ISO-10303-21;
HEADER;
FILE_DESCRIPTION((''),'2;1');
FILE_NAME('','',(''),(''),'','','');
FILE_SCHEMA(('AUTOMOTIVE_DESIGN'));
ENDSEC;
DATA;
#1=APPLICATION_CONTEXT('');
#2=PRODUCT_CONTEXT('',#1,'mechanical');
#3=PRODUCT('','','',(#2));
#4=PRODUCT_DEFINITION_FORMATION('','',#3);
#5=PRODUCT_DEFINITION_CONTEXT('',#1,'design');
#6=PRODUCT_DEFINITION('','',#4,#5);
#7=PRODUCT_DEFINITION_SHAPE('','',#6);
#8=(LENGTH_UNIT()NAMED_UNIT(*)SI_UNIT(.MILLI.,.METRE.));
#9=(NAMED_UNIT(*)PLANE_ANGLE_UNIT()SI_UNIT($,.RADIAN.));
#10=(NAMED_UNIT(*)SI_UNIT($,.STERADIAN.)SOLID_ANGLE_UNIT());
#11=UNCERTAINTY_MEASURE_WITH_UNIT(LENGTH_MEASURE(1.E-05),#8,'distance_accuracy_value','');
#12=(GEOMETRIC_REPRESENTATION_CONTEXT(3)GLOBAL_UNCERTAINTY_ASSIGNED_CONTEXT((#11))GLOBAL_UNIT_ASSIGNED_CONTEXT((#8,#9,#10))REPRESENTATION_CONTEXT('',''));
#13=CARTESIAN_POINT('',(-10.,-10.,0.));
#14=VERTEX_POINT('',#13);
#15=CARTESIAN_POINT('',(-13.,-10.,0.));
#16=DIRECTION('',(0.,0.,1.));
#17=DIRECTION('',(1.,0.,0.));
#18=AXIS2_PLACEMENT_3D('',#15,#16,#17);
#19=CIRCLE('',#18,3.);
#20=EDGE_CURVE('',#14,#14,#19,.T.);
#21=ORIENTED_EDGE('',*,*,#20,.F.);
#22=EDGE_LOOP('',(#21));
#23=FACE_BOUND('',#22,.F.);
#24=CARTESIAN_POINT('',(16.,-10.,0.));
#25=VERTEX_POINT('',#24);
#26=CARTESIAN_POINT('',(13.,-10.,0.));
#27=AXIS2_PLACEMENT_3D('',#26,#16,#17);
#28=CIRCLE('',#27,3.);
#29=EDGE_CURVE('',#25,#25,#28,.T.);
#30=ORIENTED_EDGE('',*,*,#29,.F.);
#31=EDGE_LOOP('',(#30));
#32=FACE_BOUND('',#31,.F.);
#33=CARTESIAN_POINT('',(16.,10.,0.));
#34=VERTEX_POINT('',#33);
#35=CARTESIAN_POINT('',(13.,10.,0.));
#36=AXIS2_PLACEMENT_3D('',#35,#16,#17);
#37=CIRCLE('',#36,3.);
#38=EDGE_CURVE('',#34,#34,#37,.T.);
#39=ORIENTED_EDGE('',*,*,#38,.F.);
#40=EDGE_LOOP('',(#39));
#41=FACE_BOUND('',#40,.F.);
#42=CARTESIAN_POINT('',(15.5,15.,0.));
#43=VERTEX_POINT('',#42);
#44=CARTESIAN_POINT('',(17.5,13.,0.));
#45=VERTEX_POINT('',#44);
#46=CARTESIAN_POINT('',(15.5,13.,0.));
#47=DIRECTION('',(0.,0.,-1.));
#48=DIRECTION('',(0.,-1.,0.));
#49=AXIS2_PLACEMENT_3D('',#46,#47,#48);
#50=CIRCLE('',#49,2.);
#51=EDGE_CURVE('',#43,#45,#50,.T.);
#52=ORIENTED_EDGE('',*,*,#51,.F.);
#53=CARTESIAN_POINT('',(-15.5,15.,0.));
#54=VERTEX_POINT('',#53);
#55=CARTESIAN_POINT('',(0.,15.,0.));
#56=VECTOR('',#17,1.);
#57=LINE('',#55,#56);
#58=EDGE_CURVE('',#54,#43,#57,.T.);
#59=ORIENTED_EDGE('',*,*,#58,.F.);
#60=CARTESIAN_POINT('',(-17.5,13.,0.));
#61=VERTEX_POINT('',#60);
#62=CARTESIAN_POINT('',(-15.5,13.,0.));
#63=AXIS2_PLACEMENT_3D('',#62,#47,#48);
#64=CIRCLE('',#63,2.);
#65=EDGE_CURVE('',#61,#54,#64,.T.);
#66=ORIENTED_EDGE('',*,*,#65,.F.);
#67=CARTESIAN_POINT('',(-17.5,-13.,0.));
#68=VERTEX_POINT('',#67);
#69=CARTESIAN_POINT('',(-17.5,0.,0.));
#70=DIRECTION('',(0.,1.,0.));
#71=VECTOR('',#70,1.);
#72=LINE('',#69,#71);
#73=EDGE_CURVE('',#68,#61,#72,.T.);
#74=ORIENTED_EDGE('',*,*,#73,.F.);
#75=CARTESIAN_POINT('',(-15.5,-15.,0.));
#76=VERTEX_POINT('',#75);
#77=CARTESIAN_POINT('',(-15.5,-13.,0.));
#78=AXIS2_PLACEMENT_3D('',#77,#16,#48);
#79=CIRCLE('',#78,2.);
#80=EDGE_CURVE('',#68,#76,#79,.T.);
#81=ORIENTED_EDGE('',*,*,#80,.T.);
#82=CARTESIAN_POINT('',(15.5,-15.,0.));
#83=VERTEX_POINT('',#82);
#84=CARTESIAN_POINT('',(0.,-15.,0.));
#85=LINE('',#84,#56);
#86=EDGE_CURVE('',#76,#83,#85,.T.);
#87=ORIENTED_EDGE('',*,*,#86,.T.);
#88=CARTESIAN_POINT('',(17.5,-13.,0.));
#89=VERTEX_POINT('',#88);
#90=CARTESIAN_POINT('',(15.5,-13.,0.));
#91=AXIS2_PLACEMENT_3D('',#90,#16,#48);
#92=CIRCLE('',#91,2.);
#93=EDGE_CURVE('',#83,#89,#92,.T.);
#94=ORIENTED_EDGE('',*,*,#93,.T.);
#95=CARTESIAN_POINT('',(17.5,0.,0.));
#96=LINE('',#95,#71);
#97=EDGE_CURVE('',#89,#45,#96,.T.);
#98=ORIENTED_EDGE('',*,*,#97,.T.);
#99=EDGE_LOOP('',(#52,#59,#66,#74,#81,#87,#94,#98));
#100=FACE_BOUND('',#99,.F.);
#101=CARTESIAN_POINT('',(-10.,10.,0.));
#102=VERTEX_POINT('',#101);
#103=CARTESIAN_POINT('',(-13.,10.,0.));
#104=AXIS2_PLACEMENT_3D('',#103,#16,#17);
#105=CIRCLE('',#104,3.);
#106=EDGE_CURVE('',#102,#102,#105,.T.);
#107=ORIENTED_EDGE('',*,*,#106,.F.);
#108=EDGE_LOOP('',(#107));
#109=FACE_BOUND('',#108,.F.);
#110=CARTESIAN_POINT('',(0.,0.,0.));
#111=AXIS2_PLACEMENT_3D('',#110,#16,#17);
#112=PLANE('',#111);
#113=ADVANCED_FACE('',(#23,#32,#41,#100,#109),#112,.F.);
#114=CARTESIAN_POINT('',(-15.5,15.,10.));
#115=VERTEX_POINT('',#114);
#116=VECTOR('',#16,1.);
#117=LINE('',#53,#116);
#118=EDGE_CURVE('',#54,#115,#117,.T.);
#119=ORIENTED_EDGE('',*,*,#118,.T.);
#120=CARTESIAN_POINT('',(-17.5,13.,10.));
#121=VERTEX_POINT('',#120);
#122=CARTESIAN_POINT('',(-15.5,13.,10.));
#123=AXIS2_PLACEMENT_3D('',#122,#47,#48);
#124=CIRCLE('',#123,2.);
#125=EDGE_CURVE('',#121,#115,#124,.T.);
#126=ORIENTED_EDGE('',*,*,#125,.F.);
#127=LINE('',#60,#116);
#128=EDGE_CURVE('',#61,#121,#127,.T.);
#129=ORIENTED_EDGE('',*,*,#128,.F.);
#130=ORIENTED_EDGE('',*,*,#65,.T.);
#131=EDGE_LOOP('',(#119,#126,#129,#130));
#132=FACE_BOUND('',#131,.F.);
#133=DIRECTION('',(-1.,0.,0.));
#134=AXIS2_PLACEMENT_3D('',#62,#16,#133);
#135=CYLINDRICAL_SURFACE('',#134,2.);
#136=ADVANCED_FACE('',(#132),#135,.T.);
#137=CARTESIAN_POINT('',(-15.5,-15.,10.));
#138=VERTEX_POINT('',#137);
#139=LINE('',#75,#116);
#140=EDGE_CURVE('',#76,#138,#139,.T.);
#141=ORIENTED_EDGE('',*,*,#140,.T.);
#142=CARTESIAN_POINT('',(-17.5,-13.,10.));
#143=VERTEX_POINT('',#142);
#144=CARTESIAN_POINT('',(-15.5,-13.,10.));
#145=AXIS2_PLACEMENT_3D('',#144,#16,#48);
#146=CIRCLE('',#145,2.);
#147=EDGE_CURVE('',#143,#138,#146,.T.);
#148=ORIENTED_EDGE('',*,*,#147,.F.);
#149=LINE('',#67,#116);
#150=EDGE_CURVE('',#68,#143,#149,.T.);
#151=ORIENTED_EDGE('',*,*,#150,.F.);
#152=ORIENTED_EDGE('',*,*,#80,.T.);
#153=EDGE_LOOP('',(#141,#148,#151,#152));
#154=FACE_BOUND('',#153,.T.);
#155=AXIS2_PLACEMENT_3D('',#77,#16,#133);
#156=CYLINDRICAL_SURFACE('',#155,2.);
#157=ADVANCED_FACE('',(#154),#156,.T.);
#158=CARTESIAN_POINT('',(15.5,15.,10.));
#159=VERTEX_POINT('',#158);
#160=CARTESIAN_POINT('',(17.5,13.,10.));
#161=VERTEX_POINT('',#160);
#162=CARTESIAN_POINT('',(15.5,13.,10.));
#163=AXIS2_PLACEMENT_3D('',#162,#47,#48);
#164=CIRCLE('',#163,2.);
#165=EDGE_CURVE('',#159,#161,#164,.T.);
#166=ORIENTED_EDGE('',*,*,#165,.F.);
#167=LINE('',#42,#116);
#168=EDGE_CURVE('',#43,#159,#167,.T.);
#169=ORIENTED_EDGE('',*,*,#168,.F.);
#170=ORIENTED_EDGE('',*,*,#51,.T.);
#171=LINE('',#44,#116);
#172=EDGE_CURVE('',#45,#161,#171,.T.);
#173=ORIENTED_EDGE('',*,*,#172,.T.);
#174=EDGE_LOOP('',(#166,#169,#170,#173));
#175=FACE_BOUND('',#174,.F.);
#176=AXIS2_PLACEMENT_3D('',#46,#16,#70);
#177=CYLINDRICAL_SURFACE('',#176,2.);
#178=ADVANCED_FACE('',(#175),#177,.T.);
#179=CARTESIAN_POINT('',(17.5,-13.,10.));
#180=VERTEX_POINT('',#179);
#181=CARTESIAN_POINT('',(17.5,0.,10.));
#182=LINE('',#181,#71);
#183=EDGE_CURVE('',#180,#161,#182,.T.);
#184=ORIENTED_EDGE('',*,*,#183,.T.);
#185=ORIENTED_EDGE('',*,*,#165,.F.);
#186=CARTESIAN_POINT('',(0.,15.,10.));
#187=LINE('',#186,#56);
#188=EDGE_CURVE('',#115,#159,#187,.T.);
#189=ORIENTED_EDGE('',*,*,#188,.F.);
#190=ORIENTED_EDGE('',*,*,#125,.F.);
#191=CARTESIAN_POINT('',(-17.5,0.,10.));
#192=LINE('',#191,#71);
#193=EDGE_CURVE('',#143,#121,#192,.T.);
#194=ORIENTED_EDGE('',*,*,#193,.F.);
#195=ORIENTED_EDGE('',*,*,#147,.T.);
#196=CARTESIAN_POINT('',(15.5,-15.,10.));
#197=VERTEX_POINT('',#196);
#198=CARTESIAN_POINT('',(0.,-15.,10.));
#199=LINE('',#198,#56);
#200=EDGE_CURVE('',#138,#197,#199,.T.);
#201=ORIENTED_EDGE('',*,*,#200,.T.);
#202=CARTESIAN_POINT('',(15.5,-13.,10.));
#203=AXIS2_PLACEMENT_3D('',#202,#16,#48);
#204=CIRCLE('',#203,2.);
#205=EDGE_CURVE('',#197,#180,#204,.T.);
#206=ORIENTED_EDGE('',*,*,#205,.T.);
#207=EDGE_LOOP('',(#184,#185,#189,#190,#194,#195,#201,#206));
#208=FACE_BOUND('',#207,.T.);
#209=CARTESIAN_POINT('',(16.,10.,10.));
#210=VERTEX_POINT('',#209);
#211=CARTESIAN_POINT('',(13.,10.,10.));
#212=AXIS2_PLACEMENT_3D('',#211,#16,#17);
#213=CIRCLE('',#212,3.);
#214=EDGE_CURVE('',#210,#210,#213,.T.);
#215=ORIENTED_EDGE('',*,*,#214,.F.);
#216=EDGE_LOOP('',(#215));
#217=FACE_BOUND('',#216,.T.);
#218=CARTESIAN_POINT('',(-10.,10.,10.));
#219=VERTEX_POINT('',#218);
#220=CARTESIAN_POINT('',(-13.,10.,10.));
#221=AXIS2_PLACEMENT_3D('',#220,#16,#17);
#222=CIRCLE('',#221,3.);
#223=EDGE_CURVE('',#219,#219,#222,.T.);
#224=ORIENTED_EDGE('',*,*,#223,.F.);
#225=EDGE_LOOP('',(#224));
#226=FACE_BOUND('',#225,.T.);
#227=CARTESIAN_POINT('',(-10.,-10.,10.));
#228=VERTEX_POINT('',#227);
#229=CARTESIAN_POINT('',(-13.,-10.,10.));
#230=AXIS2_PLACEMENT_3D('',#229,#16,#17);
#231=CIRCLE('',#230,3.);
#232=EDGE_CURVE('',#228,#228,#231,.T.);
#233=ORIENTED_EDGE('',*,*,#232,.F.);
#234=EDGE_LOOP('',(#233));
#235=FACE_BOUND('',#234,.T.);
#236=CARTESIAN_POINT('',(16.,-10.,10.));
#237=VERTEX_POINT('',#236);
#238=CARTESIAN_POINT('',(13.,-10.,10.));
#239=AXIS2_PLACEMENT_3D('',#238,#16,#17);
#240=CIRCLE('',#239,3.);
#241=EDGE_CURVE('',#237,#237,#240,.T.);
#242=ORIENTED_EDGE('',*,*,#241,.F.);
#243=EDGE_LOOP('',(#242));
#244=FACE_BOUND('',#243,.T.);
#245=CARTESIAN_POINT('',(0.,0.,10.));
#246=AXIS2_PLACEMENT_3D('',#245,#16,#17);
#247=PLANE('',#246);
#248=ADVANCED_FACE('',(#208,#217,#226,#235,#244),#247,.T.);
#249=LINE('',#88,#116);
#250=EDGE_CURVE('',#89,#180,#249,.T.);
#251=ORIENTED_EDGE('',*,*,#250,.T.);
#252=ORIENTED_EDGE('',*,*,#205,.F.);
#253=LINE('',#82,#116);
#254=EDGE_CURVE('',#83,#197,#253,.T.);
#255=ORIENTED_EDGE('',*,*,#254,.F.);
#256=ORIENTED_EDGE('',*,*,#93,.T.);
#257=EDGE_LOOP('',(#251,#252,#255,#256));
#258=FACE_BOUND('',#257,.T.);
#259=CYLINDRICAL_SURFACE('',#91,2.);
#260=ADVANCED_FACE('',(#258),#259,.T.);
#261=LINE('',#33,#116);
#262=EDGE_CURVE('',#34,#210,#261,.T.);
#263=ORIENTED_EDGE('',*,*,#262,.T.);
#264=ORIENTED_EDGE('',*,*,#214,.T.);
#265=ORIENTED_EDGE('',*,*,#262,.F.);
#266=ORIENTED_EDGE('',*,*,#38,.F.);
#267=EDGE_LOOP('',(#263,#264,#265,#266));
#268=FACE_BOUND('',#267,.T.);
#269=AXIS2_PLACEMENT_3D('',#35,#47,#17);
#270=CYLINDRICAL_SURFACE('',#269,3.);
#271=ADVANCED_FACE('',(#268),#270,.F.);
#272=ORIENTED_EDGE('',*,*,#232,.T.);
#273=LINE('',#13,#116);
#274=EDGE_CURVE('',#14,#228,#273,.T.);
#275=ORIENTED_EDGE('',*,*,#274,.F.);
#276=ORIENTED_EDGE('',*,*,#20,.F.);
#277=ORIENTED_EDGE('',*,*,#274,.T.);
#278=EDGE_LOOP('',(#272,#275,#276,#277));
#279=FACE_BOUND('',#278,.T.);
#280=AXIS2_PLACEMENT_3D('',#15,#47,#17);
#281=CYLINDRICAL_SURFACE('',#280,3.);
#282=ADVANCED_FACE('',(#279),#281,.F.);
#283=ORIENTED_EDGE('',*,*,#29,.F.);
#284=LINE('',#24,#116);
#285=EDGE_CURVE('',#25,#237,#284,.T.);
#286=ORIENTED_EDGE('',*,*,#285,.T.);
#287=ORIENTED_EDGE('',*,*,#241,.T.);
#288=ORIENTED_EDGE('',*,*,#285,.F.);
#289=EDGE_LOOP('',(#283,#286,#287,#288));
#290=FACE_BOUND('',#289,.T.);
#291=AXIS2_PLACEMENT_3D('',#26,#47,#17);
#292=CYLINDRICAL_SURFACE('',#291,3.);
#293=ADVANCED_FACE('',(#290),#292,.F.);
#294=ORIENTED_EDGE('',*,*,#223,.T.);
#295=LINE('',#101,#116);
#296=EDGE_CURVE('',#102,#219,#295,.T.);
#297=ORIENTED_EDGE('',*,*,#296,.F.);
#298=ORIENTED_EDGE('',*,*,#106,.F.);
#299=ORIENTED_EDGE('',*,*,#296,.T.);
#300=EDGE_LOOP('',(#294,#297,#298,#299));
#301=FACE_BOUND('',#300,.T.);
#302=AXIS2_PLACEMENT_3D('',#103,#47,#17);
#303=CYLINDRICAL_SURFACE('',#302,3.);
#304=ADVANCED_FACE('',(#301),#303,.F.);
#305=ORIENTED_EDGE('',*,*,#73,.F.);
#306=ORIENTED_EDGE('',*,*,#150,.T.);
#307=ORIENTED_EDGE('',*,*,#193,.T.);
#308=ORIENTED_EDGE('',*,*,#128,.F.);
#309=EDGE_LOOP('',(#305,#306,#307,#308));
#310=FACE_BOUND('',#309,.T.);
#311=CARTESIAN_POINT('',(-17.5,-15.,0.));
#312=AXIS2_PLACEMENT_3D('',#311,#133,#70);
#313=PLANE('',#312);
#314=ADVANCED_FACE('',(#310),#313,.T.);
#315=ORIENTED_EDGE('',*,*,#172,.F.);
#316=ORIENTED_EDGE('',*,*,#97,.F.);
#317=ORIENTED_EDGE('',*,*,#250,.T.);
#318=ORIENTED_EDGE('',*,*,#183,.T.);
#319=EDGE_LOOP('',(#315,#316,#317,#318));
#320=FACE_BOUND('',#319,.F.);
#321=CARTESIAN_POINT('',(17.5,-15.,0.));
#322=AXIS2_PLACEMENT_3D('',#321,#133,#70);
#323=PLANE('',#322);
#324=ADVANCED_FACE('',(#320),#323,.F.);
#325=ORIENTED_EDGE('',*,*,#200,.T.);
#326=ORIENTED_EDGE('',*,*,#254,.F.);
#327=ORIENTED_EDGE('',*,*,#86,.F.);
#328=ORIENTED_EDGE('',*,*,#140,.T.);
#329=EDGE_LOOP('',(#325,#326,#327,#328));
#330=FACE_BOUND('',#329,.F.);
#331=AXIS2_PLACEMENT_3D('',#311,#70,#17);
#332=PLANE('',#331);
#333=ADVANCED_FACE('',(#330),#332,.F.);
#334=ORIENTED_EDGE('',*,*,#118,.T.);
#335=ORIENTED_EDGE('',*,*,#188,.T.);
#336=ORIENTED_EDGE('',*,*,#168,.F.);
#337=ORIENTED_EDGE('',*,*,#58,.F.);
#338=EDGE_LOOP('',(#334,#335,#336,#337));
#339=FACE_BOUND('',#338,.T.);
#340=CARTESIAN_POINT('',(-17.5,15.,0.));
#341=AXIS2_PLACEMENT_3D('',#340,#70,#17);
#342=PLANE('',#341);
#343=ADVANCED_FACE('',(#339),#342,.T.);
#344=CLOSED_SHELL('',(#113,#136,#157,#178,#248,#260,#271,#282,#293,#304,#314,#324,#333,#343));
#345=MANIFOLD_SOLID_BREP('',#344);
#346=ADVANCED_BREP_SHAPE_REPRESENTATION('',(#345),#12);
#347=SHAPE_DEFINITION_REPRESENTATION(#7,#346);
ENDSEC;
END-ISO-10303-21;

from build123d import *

# Parameters (mm, degrees)
SKETCH_W  = 35
SKETCH_H  = 30
SKETCH_R  = 3
PAD_DEPTH = 10
FILLET_R  = 2


with BuildPart() as part:
    # Sketch → Pad (new body)
    with BuildSketch(Plane.XY):
        Rectangle(SKETCH_W, SKETCH_H)
        with Locations((-13, 10)):
            Circle(SKETCH_R, mode=Mode.SUBTRACT)
        with Locations((13, 10)):
            Circle(SKETCH_R, mode=Mode.SUBTRACT)
        with Locations((13, -10)):
            Circle(SKETCH_R, mode=Mode.SUBTRACT)
        with Locations((-13, -10)):
            Circle(SKETCH_R, mode=Mode.SUBTRACT)
    extrude(amount=PAD_DEPTH)

    # Fillet
    fillet_edges = [part.edges().sort_by_distance(p)[0] for p in [
        (-17.5, -15, 5),
        (17.5, -15, 5),
        (17.5, 15, 5),
        (-17.5, 15, 5),
    ]]
    fillet(fillet_edges, radius=FILLET_R)


solid = part.part
